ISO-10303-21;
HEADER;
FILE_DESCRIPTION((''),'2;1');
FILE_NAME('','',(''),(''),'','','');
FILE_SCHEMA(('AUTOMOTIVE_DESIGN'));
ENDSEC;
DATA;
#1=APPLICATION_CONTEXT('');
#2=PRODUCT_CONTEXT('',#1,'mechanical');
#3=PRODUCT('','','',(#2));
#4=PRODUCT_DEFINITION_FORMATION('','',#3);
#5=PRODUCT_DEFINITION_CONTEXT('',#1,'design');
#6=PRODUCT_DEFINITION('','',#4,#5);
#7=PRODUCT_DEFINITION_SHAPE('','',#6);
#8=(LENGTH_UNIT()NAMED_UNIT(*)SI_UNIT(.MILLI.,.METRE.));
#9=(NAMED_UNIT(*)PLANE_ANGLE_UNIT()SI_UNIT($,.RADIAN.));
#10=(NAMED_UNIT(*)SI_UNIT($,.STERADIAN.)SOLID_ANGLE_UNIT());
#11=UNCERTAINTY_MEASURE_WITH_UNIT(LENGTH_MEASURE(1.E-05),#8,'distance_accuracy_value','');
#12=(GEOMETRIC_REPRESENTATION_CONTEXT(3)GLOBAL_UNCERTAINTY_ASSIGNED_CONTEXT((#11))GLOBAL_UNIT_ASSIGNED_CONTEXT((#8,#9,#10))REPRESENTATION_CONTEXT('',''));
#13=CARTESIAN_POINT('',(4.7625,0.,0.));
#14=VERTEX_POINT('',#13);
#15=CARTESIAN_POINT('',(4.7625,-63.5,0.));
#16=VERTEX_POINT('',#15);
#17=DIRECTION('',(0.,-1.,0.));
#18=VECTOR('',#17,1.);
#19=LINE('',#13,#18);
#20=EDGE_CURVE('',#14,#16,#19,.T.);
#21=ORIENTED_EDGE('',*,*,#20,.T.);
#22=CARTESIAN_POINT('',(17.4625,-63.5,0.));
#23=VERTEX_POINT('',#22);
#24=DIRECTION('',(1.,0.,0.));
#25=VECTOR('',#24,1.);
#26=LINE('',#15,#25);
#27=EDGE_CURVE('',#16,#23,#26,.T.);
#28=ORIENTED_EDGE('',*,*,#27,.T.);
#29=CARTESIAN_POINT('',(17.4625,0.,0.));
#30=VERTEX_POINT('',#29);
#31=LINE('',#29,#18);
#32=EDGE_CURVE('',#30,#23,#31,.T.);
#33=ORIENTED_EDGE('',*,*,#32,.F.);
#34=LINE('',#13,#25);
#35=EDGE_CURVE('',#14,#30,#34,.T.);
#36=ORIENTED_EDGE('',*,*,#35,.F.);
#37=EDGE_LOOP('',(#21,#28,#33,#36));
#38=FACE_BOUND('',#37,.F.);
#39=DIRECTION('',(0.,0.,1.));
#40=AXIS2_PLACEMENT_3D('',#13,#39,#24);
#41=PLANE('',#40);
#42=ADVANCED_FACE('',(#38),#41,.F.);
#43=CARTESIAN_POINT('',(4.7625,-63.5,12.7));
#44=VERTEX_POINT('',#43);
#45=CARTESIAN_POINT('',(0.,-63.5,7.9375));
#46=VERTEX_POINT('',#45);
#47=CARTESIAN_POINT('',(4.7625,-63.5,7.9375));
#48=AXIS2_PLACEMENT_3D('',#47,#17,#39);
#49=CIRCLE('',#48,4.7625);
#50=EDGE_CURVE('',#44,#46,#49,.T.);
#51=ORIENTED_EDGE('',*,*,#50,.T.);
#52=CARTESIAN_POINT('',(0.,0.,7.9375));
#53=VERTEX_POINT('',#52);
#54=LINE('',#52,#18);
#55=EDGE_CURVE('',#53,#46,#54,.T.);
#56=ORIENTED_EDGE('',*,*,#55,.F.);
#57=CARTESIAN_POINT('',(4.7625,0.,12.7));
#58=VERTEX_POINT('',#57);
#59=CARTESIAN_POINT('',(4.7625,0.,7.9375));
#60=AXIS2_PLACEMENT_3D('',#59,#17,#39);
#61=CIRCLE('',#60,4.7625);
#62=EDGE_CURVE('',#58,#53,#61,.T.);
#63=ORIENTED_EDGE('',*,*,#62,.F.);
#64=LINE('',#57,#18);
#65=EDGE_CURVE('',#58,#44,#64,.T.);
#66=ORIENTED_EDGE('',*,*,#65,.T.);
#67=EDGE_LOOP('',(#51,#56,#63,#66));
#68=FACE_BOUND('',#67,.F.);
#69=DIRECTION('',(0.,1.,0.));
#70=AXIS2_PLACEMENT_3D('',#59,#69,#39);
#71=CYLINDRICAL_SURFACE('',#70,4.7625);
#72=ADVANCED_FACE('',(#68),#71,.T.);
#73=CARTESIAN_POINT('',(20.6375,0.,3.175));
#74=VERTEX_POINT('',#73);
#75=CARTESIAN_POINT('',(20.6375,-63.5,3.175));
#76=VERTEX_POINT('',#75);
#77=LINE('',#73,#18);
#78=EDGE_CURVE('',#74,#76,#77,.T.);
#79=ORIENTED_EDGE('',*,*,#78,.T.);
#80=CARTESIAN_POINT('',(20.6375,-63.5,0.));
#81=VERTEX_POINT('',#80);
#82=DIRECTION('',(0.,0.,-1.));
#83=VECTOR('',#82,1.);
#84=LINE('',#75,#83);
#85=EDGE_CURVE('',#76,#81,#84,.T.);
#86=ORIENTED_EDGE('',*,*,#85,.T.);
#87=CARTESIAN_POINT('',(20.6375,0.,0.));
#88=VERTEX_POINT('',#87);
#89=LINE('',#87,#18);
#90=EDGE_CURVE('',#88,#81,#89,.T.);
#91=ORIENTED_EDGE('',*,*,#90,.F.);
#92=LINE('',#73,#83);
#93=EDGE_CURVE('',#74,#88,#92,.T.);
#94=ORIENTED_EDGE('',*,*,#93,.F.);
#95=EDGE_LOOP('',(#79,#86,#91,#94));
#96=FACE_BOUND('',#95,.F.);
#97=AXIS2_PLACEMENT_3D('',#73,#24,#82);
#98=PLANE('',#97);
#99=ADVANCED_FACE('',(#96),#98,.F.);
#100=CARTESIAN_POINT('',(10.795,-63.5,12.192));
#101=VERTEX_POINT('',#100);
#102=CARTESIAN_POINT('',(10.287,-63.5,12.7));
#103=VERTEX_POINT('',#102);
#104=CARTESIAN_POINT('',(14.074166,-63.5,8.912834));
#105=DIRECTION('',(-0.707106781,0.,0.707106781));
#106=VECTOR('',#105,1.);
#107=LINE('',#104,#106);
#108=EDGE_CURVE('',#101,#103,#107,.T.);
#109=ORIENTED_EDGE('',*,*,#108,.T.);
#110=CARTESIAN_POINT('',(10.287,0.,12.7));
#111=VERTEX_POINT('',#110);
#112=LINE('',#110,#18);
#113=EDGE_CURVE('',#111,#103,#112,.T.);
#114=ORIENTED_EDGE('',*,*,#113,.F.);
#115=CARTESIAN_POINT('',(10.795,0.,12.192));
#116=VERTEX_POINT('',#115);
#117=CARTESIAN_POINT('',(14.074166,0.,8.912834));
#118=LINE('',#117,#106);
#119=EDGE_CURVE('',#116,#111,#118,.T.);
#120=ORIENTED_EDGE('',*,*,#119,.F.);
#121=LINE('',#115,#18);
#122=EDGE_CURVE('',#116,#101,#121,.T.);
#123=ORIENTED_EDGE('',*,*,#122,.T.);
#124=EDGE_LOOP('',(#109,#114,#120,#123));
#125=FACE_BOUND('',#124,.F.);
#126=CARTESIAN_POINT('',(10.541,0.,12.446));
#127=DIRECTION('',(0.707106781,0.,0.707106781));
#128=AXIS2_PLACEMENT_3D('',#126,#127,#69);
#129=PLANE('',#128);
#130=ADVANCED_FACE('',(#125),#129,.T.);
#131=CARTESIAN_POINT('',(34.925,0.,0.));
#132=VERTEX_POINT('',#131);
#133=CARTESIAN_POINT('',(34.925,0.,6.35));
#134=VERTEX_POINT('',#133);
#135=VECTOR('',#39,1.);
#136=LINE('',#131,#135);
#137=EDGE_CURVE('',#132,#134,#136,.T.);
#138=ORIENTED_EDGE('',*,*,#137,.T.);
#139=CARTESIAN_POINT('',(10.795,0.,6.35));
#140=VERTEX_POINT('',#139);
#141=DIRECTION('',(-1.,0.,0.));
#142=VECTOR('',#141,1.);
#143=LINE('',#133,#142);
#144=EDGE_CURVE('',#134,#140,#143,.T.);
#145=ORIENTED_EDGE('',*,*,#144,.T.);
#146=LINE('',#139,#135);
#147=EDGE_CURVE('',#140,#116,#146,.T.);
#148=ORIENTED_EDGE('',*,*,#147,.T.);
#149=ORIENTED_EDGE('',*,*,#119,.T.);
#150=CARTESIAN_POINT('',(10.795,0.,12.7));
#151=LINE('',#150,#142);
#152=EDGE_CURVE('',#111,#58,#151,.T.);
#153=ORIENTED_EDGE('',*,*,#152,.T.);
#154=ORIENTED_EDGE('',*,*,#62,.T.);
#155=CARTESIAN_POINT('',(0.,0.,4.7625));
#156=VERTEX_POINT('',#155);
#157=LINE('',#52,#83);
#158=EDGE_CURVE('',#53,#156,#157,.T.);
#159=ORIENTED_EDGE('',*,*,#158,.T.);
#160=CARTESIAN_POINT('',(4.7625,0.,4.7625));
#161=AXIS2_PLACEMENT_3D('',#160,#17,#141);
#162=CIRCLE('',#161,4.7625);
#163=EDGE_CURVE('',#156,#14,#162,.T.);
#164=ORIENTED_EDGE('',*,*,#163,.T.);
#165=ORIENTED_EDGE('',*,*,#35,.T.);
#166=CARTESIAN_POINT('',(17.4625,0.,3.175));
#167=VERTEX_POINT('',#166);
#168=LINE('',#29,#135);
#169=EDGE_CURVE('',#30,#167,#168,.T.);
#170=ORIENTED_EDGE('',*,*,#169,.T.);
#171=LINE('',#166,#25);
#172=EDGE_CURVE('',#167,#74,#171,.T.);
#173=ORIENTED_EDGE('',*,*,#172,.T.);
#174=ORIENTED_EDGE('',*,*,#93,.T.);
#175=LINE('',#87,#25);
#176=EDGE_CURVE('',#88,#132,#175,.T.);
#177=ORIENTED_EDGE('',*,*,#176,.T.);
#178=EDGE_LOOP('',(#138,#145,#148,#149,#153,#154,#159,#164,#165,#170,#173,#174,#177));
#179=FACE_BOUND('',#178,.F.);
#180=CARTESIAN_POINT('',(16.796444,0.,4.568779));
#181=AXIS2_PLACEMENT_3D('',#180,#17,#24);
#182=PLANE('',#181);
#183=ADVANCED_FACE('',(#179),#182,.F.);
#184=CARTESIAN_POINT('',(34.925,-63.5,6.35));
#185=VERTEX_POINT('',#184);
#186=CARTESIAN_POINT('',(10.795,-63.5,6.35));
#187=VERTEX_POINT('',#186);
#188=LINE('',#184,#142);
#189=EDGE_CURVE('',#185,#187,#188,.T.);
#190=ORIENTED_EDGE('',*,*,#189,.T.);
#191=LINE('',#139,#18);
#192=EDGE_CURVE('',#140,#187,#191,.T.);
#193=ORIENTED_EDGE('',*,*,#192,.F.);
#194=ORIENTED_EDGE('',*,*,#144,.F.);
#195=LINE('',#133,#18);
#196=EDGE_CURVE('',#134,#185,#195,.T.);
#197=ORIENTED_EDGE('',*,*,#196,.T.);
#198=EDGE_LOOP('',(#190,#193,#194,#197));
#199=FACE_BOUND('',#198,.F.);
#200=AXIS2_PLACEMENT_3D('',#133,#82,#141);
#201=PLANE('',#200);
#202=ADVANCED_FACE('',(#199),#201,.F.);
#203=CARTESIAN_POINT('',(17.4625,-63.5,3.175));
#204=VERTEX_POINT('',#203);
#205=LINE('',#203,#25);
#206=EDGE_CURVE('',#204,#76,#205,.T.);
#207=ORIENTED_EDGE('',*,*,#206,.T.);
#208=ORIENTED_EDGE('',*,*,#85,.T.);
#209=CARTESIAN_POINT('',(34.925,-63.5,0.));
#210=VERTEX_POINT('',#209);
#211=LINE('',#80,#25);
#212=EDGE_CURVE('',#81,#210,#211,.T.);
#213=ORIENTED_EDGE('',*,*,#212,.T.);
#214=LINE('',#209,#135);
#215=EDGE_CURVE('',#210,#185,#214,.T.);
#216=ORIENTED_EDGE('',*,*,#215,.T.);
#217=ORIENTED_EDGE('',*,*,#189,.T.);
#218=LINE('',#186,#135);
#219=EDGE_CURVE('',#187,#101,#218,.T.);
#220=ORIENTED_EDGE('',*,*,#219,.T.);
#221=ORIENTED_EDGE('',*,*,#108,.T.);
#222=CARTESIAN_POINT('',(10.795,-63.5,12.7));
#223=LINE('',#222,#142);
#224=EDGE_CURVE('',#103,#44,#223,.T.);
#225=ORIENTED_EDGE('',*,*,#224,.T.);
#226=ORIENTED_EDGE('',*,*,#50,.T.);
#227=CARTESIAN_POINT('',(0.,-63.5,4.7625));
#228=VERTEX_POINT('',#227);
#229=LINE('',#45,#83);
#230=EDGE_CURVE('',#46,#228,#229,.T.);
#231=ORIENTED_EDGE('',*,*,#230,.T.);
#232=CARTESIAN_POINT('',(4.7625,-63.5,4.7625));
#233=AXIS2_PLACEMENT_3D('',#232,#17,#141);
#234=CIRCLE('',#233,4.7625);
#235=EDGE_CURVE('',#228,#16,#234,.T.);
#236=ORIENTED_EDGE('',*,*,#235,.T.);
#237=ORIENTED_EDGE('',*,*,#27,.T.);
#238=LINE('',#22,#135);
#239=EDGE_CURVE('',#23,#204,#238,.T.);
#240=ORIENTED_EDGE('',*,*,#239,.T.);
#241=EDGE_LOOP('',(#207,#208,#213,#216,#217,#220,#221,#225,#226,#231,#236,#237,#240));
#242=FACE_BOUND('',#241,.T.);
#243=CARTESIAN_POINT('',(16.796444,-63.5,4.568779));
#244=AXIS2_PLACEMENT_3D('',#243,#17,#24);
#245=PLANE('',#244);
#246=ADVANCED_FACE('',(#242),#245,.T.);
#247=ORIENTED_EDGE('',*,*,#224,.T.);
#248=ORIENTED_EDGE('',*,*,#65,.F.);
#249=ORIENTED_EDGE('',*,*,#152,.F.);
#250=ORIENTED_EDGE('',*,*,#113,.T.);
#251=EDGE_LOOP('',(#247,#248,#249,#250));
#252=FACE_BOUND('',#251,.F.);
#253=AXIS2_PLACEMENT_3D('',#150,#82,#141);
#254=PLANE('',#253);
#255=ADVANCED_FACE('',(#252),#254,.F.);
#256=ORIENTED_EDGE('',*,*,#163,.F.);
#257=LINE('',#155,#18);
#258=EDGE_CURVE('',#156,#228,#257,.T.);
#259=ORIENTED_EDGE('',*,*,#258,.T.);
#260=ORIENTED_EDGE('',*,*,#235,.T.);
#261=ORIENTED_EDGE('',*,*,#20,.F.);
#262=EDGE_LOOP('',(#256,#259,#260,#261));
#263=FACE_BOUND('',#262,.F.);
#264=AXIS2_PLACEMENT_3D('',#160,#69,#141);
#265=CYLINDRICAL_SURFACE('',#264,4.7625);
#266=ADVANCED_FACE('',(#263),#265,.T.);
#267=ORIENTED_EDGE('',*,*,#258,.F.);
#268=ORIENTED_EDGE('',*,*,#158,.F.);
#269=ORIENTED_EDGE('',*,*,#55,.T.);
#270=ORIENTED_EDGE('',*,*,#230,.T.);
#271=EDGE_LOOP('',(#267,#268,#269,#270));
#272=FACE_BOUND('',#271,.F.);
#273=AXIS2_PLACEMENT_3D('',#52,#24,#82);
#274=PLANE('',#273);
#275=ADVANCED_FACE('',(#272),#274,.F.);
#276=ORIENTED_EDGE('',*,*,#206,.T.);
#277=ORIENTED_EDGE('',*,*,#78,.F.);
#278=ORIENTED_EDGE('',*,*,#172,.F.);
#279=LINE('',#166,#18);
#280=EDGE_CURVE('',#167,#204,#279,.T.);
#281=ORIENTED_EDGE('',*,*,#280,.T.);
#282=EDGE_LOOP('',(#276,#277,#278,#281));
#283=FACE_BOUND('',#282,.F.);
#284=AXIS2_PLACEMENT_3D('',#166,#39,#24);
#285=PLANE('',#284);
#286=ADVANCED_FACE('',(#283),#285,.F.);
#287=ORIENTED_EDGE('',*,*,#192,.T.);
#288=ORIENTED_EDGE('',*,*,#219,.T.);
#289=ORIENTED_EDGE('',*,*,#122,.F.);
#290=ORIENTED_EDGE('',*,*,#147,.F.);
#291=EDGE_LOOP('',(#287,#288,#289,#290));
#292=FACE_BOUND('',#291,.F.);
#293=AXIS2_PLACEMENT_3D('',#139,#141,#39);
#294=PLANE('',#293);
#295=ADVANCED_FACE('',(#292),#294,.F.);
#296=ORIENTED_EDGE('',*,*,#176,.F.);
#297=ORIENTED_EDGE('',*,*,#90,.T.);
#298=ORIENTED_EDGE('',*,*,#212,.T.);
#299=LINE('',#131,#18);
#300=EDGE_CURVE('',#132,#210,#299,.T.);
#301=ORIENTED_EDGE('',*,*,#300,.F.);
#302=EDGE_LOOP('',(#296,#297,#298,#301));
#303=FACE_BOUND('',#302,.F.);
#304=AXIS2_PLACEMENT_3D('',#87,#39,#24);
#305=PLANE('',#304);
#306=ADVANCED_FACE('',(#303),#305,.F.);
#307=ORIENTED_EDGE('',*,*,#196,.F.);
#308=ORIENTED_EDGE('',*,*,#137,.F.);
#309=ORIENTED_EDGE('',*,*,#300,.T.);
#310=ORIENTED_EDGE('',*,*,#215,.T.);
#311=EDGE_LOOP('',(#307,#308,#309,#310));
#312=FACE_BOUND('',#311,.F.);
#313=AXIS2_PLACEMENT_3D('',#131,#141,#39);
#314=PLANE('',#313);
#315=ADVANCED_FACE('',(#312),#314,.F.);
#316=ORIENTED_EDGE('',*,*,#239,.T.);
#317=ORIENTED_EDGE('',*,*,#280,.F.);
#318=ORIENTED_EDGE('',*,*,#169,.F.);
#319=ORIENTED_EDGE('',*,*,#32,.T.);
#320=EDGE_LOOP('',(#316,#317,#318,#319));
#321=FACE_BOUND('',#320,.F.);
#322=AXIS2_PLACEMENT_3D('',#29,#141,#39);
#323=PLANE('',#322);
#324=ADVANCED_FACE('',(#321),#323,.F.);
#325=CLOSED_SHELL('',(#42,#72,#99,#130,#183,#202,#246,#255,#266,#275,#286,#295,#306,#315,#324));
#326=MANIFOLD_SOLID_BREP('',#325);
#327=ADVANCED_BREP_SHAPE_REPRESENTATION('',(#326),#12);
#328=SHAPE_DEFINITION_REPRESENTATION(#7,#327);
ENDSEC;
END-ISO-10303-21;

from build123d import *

# Parameters (mm, degrees)
F1_DEPTH = 63.5
F2_SIZE  = 0.508


with BuildPart() as f1:
    # F0 (on Front) → F1 (new body)
    with BuildSketch(Plane.XZ):
        with BuildLine():
            ThreePointArc((0, 4.7625), (1.3949039546, 1.3949039546), (4.7625, 0))
            Line((4.7625, 0), (17.4625, 0))
            Line((17.4625, 0), (17.4625, 3.175))
            Line((17.4625, 3.175), (20.6375, 3.175))
            Line((20.6375, 3.175), (20.6375, 0))
            Line((20.6375, 0), (34.925, 0))
            Line((34.925, 0), (34.925, 6.35))
            Line((34.925, 6.35), (10.795, 6.35))
            Line((10.795, 6.35), (10.795, 12.7))
            Line((10.795, 12.7), (4.7625, 12.7))
            ThreePointArc((4.7625, 12.7), (1.3949039546, 11.3050960454), (0, 7.9375))
            Line((0, 7.9375), (0, 4.7625))
        make_face()
    extrude(amount=F1_DEPTH)

    # F2
    f2_edges = [f1.edges().sort_by_distance(p)[0] for p in [
        (10.795, -31.75, 12.7),
    ]]
    chamfer(f2_edges, length=F2_SIZE)


solid = f1.part
